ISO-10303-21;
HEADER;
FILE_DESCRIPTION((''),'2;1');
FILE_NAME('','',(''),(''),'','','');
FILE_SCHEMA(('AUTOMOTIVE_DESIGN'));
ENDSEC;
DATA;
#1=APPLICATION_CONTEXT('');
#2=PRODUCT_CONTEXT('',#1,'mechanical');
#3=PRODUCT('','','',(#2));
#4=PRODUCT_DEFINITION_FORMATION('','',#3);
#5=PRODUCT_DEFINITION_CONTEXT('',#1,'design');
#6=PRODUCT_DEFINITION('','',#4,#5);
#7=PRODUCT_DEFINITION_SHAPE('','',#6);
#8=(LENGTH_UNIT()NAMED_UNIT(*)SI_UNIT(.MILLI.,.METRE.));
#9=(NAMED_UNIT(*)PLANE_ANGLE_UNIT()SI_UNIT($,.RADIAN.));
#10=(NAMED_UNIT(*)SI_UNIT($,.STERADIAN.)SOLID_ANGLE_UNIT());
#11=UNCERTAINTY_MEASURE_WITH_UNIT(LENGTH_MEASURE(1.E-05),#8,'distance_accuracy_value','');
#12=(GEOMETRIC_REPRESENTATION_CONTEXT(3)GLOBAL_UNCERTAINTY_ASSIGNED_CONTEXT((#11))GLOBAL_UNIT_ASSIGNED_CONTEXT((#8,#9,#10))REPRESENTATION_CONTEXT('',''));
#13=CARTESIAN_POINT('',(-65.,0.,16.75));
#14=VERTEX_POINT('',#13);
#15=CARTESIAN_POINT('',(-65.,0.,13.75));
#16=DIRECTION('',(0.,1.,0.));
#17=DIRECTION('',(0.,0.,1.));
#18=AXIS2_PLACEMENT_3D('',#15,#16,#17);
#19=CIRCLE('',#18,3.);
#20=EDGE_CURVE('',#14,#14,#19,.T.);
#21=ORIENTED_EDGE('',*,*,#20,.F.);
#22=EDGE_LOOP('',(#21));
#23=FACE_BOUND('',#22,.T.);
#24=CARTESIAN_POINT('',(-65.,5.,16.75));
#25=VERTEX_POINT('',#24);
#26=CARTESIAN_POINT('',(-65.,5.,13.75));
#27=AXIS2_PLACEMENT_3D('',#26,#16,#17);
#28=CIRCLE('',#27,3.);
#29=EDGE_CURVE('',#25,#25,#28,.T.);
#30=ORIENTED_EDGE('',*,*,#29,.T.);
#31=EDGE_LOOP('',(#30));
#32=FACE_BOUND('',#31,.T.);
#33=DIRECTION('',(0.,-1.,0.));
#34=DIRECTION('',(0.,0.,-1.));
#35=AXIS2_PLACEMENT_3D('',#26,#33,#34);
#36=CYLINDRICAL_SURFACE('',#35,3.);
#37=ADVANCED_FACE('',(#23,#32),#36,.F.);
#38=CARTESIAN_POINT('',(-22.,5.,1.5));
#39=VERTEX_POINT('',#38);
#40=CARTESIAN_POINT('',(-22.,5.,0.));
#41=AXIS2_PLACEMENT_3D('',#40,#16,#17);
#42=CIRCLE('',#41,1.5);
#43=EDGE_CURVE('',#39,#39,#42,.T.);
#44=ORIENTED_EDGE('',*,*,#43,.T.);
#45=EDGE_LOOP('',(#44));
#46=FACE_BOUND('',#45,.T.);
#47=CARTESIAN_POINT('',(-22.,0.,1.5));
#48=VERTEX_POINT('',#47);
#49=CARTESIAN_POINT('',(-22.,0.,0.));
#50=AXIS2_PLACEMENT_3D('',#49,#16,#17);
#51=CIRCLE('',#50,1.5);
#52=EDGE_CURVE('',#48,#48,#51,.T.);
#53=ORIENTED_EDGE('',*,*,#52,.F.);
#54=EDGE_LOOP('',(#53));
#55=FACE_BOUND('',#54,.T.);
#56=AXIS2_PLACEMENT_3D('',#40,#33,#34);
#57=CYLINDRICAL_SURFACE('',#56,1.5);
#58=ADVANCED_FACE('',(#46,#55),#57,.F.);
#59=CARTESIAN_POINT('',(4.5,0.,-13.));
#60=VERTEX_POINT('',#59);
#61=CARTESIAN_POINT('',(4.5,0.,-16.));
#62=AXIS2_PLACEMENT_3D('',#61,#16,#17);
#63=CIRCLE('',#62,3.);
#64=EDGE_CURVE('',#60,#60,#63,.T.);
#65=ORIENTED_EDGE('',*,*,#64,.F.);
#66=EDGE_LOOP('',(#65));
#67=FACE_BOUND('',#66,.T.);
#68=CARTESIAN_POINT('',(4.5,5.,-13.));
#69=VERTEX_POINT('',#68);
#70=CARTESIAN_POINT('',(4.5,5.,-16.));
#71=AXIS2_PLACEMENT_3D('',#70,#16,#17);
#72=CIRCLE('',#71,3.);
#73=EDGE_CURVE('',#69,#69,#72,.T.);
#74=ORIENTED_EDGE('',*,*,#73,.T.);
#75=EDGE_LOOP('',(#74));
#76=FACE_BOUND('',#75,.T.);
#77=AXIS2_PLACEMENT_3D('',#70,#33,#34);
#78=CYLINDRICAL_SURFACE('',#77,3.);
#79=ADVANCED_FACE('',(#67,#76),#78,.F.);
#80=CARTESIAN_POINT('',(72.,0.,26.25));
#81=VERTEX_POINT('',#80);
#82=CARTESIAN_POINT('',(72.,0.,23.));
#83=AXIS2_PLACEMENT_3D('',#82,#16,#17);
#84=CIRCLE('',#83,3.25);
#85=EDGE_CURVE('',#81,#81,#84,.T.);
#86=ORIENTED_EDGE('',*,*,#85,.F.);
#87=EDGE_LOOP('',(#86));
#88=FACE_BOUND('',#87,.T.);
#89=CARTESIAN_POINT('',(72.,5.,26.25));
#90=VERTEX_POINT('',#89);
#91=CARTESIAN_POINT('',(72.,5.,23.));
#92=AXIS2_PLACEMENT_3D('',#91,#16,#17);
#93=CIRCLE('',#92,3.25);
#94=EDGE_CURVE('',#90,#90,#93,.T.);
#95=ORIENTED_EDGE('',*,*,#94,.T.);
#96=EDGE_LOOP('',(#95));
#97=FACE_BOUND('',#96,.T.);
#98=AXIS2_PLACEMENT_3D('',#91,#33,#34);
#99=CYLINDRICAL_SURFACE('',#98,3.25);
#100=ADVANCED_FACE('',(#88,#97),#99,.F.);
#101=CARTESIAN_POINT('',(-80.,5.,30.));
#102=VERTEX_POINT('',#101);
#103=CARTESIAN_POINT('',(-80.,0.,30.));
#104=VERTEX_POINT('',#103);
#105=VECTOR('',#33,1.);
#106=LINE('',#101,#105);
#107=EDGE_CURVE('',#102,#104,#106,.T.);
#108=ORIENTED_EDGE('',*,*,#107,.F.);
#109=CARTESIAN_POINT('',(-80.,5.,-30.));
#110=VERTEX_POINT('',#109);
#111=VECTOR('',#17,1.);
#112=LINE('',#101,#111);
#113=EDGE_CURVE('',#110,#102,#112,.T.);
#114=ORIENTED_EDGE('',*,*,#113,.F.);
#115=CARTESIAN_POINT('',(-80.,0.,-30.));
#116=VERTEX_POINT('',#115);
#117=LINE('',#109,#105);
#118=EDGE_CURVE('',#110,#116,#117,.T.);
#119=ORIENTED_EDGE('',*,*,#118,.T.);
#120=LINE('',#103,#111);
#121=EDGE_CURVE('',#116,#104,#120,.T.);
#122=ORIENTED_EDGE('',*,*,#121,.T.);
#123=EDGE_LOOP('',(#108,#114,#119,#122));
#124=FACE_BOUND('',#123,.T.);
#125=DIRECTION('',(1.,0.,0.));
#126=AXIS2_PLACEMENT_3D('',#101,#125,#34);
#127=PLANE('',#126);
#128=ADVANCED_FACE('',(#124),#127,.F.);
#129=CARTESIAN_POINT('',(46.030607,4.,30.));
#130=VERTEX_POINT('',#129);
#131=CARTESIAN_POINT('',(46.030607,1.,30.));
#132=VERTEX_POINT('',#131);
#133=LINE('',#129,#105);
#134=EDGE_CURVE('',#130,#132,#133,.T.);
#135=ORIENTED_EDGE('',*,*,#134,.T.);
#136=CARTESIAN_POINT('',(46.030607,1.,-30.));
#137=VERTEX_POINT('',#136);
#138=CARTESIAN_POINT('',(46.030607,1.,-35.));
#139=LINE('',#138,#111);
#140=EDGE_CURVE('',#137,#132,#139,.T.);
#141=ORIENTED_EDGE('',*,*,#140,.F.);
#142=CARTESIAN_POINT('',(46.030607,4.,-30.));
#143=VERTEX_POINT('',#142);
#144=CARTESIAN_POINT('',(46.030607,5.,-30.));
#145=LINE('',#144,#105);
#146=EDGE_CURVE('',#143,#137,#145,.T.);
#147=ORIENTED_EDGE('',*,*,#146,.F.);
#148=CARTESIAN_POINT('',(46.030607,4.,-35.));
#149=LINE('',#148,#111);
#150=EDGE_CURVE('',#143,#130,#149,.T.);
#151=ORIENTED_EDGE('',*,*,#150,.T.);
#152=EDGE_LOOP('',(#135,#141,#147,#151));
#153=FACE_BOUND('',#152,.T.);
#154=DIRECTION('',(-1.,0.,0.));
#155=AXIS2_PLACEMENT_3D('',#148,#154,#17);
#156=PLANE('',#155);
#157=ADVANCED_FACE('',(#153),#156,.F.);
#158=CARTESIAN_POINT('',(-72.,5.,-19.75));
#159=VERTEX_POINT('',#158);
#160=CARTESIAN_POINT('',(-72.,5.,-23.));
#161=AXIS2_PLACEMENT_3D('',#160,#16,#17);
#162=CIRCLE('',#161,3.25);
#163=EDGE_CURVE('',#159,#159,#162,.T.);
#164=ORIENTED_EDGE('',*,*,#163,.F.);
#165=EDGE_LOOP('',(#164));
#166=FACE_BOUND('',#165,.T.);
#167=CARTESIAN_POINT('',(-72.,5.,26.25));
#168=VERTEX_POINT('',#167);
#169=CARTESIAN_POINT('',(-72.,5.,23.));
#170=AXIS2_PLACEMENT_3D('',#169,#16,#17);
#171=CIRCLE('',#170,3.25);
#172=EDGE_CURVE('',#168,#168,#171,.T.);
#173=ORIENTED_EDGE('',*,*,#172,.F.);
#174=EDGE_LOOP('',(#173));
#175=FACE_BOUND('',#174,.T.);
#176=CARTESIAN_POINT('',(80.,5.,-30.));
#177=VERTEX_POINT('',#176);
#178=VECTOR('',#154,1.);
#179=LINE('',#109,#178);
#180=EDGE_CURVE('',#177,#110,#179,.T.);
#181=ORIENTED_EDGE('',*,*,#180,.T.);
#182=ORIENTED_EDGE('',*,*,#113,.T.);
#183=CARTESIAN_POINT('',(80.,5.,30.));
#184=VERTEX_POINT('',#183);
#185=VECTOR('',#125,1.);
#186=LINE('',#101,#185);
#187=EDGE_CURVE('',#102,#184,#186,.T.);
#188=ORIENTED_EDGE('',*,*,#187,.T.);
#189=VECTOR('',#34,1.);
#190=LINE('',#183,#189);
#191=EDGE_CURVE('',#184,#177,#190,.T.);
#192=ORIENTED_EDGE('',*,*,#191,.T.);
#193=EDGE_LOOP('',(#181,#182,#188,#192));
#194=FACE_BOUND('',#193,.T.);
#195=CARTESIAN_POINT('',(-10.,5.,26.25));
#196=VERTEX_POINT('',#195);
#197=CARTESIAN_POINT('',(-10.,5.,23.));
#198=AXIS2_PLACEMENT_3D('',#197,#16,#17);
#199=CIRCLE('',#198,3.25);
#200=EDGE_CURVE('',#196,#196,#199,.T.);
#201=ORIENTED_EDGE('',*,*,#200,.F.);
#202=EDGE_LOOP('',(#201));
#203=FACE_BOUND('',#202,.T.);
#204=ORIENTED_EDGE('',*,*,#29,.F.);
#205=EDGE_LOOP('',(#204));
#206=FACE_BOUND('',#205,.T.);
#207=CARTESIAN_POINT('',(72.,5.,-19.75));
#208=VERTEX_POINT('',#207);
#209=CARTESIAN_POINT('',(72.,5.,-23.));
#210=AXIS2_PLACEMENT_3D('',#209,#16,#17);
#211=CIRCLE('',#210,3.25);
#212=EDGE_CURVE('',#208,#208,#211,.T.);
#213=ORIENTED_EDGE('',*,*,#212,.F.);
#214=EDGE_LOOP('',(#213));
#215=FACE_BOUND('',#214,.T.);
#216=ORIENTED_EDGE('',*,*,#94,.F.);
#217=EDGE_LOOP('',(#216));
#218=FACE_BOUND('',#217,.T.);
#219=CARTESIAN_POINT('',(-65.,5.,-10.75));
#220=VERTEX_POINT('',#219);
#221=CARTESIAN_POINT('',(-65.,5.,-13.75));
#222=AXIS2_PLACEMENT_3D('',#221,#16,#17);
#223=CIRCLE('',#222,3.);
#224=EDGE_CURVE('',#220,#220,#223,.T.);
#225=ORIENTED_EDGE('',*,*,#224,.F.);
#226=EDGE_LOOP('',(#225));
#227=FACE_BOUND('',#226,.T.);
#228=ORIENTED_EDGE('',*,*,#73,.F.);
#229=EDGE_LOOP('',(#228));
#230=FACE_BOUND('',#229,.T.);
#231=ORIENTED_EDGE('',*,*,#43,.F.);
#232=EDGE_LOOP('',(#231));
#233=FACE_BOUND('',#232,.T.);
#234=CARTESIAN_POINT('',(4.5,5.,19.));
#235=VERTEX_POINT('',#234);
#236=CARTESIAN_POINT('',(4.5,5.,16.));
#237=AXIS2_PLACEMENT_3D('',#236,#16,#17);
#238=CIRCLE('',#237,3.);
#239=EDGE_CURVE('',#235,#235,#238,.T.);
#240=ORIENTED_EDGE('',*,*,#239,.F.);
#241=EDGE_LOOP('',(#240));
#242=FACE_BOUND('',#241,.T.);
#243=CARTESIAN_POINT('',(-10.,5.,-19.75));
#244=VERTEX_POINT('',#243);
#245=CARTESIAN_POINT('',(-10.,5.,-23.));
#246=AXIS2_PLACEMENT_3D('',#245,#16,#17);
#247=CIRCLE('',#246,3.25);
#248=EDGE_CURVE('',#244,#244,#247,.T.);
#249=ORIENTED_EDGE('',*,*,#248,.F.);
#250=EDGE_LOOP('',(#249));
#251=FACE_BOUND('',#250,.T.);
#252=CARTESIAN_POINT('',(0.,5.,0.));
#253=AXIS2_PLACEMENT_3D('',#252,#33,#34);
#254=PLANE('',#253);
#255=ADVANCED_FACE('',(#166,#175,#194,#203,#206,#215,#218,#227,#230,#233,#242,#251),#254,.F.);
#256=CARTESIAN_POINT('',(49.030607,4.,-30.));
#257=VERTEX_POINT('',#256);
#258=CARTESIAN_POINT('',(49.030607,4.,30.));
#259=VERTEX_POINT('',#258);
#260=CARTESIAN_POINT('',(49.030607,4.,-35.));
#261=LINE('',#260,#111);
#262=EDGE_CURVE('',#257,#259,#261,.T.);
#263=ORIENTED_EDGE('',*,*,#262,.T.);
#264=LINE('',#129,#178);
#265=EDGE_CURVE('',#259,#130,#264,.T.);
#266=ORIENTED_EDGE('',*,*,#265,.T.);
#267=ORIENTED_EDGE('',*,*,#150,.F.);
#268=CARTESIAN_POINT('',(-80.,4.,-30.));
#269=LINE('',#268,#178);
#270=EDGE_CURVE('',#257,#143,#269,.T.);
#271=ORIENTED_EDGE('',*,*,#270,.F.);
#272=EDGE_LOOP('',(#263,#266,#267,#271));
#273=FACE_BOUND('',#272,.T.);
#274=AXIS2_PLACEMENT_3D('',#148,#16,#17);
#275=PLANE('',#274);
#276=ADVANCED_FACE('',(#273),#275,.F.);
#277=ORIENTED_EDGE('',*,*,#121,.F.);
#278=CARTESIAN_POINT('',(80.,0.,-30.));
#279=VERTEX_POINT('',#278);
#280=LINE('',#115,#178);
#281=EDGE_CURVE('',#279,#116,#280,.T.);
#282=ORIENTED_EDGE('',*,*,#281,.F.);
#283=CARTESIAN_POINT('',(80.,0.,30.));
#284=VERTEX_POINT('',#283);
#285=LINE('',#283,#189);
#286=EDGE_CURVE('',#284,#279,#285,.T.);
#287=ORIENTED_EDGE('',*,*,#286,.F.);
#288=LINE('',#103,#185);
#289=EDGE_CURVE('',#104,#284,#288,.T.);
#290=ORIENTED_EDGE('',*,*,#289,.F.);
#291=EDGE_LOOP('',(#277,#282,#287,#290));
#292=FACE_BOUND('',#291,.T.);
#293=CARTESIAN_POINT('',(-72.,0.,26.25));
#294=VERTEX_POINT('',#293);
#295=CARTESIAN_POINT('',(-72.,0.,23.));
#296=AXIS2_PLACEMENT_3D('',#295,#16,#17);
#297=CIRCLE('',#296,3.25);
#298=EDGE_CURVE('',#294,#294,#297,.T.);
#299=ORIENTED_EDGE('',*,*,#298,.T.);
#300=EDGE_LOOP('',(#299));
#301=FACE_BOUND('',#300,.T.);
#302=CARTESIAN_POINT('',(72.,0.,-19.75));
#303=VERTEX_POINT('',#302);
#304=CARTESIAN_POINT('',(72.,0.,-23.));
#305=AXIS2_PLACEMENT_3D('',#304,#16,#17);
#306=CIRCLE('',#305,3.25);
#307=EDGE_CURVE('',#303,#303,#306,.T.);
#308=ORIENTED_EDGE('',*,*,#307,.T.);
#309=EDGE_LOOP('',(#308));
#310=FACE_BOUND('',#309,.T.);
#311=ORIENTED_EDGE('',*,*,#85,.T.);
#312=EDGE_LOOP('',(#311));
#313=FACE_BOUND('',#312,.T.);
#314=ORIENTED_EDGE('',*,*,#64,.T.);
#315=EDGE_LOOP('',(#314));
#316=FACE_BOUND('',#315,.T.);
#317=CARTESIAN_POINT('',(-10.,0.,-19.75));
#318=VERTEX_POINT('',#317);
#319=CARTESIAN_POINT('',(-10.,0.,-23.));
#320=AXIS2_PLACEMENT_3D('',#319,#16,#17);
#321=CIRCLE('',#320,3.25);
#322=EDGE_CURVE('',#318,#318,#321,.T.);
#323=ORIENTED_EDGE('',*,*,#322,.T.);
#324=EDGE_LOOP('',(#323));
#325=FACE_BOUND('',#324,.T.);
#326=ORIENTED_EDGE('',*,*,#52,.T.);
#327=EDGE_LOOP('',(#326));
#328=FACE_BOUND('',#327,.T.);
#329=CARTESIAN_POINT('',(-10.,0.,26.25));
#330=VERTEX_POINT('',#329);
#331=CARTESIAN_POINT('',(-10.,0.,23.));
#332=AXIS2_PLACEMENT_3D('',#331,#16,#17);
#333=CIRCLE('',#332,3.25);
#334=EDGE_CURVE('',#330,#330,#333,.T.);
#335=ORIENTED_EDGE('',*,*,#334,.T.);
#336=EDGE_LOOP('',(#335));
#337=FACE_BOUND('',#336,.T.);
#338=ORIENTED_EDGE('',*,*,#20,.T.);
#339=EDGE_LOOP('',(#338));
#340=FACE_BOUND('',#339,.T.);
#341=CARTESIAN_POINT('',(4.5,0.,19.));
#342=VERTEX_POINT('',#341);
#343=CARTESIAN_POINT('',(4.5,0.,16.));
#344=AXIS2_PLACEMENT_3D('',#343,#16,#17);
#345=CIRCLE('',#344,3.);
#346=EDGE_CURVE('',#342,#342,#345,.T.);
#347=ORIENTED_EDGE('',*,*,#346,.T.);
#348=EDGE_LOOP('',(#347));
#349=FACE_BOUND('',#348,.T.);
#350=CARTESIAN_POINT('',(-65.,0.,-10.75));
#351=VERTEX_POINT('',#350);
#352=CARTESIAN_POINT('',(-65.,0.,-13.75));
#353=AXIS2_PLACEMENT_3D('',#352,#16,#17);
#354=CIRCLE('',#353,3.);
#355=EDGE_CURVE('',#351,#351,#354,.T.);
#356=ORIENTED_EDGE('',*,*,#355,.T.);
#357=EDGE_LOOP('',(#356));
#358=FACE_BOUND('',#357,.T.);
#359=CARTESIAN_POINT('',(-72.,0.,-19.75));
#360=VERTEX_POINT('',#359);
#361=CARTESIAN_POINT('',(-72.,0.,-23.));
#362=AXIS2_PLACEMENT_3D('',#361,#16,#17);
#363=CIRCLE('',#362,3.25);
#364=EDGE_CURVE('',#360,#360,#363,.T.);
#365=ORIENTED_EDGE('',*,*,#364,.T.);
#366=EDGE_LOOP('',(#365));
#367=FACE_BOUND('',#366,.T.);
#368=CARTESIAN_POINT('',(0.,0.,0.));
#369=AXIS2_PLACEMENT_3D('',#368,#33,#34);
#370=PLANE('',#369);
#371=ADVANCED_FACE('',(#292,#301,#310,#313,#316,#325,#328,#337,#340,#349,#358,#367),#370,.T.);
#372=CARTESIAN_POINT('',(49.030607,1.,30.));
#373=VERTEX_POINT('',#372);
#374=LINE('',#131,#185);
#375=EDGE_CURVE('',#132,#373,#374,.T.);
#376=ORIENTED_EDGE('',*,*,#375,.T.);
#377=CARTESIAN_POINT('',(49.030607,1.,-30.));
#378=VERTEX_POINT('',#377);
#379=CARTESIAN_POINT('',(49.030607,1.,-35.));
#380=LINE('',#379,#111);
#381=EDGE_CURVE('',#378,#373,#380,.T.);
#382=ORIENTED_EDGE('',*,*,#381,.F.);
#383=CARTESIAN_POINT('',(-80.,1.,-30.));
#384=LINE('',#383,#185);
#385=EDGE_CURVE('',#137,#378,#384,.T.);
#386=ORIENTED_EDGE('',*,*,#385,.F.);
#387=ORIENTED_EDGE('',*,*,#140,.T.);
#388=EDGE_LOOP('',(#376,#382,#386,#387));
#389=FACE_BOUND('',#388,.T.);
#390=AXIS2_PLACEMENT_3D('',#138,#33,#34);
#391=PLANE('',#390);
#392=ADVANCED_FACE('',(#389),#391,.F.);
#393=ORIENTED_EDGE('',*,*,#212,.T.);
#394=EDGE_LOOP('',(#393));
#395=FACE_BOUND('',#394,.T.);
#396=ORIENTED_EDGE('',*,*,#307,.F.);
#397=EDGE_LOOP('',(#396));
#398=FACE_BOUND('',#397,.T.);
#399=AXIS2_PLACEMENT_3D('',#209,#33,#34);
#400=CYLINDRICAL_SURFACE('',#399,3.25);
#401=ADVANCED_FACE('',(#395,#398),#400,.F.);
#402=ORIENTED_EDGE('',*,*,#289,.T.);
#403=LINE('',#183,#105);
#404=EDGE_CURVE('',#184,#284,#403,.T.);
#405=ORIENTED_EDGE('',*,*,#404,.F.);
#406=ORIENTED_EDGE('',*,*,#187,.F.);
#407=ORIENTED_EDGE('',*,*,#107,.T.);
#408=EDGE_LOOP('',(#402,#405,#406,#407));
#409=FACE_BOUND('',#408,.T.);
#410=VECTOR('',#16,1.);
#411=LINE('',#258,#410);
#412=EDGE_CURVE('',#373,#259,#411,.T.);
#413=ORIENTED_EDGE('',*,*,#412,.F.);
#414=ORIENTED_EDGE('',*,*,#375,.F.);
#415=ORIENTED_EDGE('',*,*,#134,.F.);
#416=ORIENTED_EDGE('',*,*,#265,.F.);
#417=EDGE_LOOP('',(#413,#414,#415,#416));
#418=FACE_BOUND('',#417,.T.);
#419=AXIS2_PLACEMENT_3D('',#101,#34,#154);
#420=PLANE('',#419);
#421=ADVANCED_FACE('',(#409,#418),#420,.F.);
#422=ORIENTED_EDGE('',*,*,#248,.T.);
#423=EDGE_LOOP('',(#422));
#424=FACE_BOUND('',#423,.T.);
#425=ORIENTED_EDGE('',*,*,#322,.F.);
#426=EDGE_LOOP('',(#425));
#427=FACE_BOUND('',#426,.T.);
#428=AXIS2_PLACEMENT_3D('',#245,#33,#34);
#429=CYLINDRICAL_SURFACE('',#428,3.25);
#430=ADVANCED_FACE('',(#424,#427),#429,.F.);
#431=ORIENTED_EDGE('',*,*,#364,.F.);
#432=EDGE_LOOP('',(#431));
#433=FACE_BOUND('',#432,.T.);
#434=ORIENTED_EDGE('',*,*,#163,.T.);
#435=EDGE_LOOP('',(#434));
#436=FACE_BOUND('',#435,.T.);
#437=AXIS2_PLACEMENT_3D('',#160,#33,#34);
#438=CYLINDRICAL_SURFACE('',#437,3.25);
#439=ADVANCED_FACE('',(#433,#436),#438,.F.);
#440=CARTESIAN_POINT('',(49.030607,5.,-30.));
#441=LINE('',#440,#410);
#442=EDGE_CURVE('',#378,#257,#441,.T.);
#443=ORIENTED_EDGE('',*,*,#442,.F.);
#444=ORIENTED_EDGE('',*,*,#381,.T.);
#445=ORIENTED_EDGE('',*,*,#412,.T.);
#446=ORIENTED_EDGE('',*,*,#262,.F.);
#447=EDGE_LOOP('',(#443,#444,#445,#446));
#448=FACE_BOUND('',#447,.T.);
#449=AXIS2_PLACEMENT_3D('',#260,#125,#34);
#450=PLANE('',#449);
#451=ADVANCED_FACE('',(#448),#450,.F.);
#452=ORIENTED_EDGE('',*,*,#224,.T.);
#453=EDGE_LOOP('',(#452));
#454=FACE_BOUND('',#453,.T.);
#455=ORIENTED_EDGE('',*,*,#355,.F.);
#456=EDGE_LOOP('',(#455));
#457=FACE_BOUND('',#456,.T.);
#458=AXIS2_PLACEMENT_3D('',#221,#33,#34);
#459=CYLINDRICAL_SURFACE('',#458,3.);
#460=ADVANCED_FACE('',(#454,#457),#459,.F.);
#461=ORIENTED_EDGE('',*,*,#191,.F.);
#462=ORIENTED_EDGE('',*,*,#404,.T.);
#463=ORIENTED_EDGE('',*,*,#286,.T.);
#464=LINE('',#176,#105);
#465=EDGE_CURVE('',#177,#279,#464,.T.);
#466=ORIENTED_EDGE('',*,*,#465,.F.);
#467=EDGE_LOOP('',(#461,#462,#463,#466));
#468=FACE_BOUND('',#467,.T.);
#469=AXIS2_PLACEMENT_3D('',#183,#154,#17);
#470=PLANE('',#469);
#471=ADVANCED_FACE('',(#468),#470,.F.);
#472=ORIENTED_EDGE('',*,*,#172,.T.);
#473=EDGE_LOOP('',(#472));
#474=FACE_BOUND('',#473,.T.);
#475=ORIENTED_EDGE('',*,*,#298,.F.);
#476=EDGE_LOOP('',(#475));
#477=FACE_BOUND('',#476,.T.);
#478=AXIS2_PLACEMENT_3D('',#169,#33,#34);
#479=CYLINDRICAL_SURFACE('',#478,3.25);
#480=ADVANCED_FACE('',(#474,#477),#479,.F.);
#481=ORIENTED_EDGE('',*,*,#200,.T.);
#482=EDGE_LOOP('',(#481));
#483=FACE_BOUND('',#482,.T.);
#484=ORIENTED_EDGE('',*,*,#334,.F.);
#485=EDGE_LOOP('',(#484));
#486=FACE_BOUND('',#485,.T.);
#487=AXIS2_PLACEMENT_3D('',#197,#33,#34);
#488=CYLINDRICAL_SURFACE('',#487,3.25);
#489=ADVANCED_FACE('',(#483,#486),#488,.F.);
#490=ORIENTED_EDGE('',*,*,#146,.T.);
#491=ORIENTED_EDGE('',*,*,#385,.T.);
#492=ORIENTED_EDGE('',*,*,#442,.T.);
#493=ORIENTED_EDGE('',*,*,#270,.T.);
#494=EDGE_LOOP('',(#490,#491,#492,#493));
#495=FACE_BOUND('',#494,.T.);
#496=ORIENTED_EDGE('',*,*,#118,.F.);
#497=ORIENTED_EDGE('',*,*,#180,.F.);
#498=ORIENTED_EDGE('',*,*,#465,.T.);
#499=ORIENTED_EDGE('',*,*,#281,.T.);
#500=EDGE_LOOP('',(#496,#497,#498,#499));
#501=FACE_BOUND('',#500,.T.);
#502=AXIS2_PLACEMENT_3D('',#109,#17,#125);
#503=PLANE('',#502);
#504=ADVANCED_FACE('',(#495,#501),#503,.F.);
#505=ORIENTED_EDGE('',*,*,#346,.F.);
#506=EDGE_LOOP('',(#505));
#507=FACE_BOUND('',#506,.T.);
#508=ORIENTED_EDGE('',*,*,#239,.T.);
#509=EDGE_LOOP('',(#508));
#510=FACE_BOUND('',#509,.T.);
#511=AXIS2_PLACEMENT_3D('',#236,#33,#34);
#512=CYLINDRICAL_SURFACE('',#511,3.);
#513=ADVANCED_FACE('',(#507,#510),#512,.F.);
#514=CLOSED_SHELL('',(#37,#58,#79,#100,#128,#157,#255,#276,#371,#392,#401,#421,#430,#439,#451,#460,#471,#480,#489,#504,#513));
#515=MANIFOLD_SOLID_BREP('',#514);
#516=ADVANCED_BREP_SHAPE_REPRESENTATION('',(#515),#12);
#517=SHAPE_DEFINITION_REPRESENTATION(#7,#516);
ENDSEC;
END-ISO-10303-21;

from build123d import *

# Parameters (mm, degrees)
SKETCH1_W           = 160
SKETCH1_H           = 60
SKETCH1_R           = 3.25
SKETCH1_R_2         = 3
SKETCH1_R_3         = 1.5
BOSS_EXTRUDE1_DEPTH = 5
SKETCH2_W           = 3
SKETCH2_H           = 3
CUT_1EXTRUDE1_DEPTH = 65


with BuildPart() as part:
    # Sketch1 → Boss-Extrude1 (new body)
    with BuildSketch(Plane(origin=(0, 0, 0), x_dir=(1, 0, 0), z_dir=(0, 1, 0))):
        Rectangle(SKETCH1_W, SKETCH1_H)
        with Locations(Location((-72, 23, 0), (0, 0, 270))):
            Circle(SKETCH1_R, mode=Mode.SUBTRACT)
        with Locations(Location((-72, -23, 0), (0, 0, 270))):
            Circle(SKETCH1_R, mode=Mode.SUBTRACT)
        with Locations(Location((72, 23, 0), (0, 0, 270))):
            Circle(SKETCH1_R, mode=Mode.SUBTRACT)
        with Locations(Location((72, -23, 0), (0, 0, 270))):
            Circle(SKETCH1_R, mode=Mode.SUBTRACT)
        with Locations(Location((-10, 23, 0), (0, 0, 270))):
            Circle(SKETCH1_R, mode=Mode.SUBTRACT)
        with Locations(Location((-10, -23, 0), (0, 0, 270))):
            Circle(SKETCH1_R, mode=Mode.SUBTRACT)
        with Locations(Location((4.5, 16, 0), (0, 0, 270))):
            Circle(SKETCH1_R_2, mode=Mode.SUBTRACT)
        with Locations(Location((4.5, -16, 0), (0, 0, 270))):
            Circle(SKETCH1_R_2, mode=Mode.SUBTRACT)
        with Locations(Location((-65, 13.75, 0), (0, 0, 270))):
            Circle(SKETCH1_R_2, mode=Mode.SUBTRACT)
        with Locations(Location((-65, -13.75, 0), (0, 0, 270))):
            Circle(SKETCH1_R_2, mode=Mode.SUBTRACT)
        with Locations(Location((-22, 0, 0), (0, 0, 270))):
            Circle(SKETCH1_R_3, mode=Mode.SUBTRACT)
    extrude(amount=BOSS_EXTRUDE1_DEPTH)

    # Sketch2 → Cut-1Extrude1 (cut)
    with BuildSketch(Plane.XY.offset(30)):
        with Locations((47.530607127, 2.5)):
            Rectangle(SKETCH2_W, SKETCH2_H)
    extrude(amount=-CUT_1EXTRUDE1_DEPTH, mode=Mode.SUBTRACT)


solid = part.part
